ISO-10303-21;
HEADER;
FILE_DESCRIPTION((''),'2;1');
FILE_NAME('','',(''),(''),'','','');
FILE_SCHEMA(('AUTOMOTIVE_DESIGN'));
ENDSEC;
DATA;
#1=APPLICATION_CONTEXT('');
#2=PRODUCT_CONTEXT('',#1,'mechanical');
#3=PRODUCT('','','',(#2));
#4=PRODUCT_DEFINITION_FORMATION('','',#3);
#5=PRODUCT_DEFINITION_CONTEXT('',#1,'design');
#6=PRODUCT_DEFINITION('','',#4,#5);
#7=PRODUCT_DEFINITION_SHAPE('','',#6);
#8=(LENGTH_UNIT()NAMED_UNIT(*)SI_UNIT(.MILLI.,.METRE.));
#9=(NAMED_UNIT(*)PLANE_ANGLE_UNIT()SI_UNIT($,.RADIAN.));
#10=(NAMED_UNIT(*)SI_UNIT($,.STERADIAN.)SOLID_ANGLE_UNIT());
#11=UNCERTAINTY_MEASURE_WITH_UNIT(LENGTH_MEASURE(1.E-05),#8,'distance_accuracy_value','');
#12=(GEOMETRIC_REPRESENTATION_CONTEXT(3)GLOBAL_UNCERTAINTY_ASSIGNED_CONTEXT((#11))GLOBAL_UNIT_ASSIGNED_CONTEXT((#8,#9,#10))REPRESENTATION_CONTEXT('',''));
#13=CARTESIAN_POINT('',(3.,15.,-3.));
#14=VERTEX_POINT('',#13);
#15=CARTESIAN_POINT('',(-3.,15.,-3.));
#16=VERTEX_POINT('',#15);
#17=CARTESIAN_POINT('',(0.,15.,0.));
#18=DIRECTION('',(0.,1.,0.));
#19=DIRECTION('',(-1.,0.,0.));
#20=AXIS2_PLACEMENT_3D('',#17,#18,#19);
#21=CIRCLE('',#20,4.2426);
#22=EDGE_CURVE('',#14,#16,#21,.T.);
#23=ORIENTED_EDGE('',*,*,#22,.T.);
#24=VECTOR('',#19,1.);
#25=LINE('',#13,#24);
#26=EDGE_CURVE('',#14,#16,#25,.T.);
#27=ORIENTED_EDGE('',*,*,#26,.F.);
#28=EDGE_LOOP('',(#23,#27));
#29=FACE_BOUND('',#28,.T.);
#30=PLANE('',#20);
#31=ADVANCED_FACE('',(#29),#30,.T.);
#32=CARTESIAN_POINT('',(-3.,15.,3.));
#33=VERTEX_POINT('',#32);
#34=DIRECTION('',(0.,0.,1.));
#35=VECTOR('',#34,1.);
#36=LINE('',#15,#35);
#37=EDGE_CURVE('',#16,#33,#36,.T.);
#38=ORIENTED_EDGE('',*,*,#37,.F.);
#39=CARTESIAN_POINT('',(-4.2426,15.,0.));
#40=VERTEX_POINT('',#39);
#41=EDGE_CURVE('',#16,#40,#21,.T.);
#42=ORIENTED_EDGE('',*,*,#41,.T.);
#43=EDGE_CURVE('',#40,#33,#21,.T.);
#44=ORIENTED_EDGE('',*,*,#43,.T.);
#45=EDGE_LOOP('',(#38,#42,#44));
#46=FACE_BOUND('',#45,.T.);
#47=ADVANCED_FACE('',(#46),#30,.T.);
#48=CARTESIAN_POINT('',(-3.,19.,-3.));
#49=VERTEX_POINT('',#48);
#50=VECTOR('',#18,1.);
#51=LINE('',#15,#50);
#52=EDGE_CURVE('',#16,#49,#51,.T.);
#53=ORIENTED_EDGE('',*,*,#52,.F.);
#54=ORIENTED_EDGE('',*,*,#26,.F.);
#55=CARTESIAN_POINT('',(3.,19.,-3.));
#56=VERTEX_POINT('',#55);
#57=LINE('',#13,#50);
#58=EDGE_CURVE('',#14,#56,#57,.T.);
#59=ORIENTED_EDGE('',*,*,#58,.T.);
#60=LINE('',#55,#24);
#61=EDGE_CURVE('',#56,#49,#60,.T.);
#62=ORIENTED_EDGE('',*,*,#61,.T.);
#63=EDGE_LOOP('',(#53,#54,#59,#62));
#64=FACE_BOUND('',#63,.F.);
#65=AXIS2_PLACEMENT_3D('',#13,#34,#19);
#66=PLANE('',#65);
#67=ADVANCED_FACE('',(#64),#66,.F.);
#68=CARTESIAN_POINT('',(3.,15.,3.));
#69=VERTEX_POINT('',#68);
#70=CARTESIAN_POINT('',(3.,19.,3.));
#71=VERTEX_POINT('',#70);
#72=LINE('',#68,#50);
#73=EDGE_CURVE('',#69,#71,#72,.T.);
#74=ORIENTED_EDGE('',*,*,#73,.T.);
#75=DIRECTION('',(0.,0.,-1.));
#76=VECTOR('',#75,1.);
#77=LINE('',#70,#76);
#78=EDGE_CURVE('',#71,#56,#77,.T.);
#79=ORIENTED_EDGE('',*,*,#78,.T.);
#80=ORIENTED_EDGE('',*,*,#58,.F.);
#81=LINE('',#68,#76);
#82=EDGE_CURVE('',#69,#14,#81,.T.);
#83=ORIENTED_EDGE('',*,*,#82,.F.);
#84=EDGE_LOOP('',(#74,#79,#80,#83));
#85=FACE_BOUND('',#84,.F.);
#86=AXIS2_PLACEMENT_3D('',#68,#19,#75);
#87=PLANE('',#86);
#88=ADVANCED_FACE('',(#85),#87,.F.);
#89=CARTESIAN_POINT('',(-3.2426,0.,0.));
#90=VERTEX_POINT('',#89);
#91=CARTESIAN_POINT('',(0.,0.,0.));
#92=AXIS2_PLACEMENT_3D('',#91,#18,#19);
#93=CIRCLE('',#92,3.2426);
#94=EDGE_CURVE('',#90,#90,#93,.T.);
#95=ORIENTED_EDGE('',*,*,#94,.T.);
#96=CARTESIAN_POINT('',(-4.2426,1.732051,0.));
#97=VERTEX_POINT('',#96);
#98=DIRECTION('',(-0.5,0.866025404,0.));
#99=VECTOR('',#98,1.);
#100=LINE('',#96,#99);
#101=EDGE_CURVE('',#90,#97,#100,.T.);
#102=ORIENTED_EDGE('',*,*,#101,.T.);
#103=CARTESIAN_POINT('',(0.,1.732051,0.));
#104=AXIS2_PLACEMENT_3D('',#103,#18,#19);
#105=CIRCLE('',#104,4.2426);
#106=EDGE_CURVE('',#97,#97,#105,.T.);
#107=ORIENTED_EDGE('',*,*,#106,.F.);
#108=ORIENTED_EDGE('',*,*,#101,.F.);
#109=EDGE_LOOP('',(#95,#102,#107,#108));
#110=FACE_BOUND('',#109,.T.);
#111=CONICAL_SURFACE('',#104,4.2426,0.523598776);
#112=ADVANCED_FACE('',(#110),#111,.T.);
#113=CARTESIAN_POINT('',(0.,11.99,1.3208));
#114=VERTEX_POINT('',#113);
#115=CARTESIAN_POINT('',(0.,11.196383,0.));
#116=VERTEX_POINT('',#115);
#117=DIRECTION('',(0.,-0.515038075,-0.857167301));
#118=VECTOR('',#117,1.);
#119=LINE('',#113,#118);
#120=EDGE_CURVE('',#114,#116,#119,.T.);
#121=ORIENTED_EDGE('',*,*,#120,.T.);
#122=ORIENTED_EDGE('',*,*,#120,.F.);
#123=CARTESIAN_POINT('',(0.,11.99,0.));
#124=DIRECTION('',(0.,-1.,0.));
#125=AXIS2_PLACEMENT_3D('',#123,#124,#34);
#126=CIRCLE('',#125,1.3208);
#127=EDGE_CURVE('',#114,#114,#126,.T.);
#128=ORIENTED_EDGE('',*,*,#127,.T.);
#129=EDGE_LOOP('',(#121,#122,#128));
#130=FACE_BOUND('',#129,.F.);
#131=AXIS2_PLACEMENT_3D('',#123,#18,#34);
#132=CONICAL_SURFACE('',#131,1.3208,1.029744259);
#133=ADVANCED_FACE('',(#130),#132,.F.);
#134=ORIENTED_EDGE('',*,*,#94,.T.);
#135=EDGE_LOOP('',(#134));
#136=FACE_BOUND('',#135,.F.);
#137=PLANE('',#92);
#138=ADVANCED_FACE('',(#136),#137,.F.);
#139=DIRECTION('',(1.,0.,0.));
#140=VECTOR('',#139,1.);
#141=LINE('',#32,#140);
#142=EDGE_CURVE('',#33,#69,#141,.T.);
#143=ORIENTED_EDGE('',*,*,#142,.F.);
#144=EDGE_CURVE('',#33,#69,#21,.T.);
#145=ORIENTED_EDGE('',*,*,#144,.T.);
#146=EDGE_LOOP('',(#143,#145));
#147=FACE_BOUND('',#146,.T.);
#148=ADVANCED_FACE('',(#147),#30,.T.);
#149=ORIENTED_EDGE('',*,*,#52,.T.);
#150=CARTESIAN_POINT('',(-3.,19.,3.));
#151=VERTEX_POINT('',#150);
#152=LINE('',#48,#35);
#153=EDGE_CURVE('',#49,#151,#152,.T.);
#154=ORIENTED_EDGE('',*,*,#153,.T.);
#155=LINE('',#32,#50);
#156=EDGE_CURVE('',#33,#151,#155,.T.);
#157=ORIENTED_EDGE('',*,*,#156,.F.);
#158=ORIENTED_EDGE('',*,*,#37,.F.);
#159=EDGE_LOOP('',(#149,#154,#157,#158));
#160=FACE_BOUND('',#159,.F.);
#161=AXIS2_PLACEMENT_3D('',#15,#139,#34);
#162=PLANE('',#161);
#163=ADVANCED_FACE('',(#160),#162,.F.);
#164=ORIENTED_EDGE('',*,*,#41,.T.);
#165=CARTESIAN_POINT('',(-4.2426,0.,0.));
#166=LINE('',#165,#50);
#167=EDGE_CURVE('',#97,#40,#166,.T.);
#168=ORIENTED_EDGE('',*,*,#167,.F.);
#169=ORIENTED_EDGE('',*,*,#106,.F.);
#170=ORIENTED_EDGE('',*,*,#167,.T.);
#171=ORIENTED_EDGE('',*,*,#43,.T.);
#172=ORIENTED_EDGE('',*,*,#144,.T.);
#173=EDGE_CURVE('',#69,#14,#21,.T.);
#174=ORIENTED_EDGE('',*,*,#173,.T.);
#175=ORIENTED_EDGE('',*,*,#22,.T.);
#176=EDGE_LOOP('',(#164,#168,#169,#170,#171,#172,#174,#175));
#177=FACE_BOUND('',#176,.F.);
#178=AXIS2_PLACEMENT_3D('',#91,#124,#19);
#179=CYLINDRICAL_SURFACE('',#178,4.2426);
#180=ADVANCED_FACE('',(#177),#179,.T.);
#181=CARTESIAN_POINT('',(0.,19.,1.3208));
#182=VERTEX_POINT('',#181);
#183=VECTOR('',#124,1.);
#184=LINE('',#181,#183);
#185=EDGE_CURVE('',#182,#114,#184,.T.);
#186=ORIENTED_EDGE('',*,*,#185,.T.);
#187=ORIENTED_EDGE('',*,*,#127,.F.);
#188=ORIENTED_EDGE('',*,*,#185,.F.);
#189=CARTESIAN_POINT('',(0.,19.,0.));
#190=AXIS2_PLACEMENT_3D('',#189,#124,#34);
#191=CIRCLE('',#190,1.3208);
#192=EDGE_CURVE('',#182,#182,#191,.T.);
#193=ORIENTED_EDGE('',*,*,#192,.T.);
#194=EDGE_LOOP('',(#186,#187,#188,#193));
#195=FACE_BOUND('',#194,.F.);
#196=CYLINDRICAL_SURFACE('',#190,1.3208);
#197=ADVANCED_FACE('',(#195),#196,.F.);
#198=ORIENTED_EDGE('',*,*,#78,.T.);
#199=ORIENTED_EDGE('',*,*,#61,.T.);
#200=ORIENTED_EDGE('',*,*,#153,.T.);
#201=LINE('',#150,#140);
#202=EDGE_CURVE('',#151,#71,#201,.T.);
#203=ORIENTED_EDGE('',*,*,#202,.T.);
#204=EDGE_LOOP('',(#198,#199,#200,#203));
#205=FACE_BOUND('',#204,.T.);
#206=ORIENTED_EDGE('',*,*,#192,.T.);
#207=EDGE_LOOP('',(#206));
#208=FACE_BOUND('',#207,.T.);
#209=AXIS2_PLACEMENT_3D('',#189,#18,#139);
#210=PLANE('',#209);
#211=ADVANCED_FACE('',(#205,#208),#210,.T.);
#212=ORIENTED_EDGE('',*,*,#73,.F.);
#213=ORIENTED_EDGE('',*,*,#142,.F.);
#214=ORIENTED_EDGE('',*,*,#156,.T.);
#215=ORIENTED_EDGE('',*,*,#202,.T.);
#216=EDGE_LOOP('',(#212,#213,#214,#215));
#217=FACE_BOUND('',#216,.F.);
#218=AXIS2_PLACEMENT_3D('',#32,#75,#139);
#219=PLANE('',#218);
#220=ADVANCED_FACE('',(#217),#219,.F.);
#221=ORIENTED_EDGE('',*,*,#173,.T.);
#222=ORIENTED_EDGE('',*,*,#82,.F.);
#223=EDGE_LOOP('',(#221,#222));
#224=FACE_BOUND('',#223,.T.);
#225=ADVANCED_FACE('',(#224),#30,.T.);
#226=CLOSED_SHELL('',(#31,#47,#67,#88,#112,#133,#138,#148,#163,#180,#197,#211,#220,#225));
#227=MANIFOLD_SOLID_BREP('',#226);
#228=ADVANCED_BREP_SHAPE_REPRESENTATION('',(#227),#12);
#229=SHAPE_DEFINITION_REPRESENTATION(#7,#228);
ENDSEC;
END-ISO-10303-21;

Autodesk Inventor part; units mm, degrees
ref_plane "YZ Plane" through (0, 0, 0) normal (1, 0, 0) x (0, 1, 0)
ref_plane "XZ Plane" through (0, 0, 0) normal (0, 1, 0) x (-1, 0, 0)
ref_plane "XY Plane" through (0, 0, 0) normal (0, 0, 1) x (1, 0, 0)
sketch "Sketch1" plane through (0, 0, 0) normal (0, 1, 0) x (-1, 0, 0)
  line L0 (3, 3) -> (-3, 3) construction
  line L1 (-3, 3) -> (-3, -3) construction
  line L2 (-3, -3) -> (3, -3) construction
  line L3 (3, -3) -> (3, 3) construction
  circle A0 centre (0, 0) radius 4.2426
  dimension "d2" = 6
  dimension "d3" = 6
  dimension "d4" = 3
  dimension "d5" = 3
extrude "Extrusion1" add sketch "Sketch1" along normal blind 15
sketch "Sketch2" plane through (0, 15, 0) normal (0, 1, 0) x (1, 0, 0)
  line L0 (-3, -3) -> (3, -3)
  line L1 (3, -3) -> (3, 3)
  line L2 (3, 3) -> (-3, 3)
  line L3 (-3, 3) -> (-3, -3)
  circle A0 centre (0, 0) radius 4.2426 projected
  dimension "d8" = 6
  dimension "d9" = 6
  dimension "d22" = 3
extrude "Extrusion2" add sketch "Sketch2" along normal blind 4 contours L3 L2 L1 L0
chamfer "Chamfer1" distance 1 angle 60 1 edges at (4.2426, 0, 0) measured on face at (-1.1052, 0, 1.3223)
sketch "Sketch4" plane through (0, 19, 0) normal (0, 1, 0) x (1, 0, 0)
  point P0 (0, 0)
  point P1 (0, 0)
hole "Hole2" at (0, 19, 0) direction (0, -1, 0) diameter 2.6416 depth 7.01 tip angle 118 thread size "6-32 UNC" class "2B" standard "ANSI Unified Screw Threads"
properties part number "motor_shaft"
